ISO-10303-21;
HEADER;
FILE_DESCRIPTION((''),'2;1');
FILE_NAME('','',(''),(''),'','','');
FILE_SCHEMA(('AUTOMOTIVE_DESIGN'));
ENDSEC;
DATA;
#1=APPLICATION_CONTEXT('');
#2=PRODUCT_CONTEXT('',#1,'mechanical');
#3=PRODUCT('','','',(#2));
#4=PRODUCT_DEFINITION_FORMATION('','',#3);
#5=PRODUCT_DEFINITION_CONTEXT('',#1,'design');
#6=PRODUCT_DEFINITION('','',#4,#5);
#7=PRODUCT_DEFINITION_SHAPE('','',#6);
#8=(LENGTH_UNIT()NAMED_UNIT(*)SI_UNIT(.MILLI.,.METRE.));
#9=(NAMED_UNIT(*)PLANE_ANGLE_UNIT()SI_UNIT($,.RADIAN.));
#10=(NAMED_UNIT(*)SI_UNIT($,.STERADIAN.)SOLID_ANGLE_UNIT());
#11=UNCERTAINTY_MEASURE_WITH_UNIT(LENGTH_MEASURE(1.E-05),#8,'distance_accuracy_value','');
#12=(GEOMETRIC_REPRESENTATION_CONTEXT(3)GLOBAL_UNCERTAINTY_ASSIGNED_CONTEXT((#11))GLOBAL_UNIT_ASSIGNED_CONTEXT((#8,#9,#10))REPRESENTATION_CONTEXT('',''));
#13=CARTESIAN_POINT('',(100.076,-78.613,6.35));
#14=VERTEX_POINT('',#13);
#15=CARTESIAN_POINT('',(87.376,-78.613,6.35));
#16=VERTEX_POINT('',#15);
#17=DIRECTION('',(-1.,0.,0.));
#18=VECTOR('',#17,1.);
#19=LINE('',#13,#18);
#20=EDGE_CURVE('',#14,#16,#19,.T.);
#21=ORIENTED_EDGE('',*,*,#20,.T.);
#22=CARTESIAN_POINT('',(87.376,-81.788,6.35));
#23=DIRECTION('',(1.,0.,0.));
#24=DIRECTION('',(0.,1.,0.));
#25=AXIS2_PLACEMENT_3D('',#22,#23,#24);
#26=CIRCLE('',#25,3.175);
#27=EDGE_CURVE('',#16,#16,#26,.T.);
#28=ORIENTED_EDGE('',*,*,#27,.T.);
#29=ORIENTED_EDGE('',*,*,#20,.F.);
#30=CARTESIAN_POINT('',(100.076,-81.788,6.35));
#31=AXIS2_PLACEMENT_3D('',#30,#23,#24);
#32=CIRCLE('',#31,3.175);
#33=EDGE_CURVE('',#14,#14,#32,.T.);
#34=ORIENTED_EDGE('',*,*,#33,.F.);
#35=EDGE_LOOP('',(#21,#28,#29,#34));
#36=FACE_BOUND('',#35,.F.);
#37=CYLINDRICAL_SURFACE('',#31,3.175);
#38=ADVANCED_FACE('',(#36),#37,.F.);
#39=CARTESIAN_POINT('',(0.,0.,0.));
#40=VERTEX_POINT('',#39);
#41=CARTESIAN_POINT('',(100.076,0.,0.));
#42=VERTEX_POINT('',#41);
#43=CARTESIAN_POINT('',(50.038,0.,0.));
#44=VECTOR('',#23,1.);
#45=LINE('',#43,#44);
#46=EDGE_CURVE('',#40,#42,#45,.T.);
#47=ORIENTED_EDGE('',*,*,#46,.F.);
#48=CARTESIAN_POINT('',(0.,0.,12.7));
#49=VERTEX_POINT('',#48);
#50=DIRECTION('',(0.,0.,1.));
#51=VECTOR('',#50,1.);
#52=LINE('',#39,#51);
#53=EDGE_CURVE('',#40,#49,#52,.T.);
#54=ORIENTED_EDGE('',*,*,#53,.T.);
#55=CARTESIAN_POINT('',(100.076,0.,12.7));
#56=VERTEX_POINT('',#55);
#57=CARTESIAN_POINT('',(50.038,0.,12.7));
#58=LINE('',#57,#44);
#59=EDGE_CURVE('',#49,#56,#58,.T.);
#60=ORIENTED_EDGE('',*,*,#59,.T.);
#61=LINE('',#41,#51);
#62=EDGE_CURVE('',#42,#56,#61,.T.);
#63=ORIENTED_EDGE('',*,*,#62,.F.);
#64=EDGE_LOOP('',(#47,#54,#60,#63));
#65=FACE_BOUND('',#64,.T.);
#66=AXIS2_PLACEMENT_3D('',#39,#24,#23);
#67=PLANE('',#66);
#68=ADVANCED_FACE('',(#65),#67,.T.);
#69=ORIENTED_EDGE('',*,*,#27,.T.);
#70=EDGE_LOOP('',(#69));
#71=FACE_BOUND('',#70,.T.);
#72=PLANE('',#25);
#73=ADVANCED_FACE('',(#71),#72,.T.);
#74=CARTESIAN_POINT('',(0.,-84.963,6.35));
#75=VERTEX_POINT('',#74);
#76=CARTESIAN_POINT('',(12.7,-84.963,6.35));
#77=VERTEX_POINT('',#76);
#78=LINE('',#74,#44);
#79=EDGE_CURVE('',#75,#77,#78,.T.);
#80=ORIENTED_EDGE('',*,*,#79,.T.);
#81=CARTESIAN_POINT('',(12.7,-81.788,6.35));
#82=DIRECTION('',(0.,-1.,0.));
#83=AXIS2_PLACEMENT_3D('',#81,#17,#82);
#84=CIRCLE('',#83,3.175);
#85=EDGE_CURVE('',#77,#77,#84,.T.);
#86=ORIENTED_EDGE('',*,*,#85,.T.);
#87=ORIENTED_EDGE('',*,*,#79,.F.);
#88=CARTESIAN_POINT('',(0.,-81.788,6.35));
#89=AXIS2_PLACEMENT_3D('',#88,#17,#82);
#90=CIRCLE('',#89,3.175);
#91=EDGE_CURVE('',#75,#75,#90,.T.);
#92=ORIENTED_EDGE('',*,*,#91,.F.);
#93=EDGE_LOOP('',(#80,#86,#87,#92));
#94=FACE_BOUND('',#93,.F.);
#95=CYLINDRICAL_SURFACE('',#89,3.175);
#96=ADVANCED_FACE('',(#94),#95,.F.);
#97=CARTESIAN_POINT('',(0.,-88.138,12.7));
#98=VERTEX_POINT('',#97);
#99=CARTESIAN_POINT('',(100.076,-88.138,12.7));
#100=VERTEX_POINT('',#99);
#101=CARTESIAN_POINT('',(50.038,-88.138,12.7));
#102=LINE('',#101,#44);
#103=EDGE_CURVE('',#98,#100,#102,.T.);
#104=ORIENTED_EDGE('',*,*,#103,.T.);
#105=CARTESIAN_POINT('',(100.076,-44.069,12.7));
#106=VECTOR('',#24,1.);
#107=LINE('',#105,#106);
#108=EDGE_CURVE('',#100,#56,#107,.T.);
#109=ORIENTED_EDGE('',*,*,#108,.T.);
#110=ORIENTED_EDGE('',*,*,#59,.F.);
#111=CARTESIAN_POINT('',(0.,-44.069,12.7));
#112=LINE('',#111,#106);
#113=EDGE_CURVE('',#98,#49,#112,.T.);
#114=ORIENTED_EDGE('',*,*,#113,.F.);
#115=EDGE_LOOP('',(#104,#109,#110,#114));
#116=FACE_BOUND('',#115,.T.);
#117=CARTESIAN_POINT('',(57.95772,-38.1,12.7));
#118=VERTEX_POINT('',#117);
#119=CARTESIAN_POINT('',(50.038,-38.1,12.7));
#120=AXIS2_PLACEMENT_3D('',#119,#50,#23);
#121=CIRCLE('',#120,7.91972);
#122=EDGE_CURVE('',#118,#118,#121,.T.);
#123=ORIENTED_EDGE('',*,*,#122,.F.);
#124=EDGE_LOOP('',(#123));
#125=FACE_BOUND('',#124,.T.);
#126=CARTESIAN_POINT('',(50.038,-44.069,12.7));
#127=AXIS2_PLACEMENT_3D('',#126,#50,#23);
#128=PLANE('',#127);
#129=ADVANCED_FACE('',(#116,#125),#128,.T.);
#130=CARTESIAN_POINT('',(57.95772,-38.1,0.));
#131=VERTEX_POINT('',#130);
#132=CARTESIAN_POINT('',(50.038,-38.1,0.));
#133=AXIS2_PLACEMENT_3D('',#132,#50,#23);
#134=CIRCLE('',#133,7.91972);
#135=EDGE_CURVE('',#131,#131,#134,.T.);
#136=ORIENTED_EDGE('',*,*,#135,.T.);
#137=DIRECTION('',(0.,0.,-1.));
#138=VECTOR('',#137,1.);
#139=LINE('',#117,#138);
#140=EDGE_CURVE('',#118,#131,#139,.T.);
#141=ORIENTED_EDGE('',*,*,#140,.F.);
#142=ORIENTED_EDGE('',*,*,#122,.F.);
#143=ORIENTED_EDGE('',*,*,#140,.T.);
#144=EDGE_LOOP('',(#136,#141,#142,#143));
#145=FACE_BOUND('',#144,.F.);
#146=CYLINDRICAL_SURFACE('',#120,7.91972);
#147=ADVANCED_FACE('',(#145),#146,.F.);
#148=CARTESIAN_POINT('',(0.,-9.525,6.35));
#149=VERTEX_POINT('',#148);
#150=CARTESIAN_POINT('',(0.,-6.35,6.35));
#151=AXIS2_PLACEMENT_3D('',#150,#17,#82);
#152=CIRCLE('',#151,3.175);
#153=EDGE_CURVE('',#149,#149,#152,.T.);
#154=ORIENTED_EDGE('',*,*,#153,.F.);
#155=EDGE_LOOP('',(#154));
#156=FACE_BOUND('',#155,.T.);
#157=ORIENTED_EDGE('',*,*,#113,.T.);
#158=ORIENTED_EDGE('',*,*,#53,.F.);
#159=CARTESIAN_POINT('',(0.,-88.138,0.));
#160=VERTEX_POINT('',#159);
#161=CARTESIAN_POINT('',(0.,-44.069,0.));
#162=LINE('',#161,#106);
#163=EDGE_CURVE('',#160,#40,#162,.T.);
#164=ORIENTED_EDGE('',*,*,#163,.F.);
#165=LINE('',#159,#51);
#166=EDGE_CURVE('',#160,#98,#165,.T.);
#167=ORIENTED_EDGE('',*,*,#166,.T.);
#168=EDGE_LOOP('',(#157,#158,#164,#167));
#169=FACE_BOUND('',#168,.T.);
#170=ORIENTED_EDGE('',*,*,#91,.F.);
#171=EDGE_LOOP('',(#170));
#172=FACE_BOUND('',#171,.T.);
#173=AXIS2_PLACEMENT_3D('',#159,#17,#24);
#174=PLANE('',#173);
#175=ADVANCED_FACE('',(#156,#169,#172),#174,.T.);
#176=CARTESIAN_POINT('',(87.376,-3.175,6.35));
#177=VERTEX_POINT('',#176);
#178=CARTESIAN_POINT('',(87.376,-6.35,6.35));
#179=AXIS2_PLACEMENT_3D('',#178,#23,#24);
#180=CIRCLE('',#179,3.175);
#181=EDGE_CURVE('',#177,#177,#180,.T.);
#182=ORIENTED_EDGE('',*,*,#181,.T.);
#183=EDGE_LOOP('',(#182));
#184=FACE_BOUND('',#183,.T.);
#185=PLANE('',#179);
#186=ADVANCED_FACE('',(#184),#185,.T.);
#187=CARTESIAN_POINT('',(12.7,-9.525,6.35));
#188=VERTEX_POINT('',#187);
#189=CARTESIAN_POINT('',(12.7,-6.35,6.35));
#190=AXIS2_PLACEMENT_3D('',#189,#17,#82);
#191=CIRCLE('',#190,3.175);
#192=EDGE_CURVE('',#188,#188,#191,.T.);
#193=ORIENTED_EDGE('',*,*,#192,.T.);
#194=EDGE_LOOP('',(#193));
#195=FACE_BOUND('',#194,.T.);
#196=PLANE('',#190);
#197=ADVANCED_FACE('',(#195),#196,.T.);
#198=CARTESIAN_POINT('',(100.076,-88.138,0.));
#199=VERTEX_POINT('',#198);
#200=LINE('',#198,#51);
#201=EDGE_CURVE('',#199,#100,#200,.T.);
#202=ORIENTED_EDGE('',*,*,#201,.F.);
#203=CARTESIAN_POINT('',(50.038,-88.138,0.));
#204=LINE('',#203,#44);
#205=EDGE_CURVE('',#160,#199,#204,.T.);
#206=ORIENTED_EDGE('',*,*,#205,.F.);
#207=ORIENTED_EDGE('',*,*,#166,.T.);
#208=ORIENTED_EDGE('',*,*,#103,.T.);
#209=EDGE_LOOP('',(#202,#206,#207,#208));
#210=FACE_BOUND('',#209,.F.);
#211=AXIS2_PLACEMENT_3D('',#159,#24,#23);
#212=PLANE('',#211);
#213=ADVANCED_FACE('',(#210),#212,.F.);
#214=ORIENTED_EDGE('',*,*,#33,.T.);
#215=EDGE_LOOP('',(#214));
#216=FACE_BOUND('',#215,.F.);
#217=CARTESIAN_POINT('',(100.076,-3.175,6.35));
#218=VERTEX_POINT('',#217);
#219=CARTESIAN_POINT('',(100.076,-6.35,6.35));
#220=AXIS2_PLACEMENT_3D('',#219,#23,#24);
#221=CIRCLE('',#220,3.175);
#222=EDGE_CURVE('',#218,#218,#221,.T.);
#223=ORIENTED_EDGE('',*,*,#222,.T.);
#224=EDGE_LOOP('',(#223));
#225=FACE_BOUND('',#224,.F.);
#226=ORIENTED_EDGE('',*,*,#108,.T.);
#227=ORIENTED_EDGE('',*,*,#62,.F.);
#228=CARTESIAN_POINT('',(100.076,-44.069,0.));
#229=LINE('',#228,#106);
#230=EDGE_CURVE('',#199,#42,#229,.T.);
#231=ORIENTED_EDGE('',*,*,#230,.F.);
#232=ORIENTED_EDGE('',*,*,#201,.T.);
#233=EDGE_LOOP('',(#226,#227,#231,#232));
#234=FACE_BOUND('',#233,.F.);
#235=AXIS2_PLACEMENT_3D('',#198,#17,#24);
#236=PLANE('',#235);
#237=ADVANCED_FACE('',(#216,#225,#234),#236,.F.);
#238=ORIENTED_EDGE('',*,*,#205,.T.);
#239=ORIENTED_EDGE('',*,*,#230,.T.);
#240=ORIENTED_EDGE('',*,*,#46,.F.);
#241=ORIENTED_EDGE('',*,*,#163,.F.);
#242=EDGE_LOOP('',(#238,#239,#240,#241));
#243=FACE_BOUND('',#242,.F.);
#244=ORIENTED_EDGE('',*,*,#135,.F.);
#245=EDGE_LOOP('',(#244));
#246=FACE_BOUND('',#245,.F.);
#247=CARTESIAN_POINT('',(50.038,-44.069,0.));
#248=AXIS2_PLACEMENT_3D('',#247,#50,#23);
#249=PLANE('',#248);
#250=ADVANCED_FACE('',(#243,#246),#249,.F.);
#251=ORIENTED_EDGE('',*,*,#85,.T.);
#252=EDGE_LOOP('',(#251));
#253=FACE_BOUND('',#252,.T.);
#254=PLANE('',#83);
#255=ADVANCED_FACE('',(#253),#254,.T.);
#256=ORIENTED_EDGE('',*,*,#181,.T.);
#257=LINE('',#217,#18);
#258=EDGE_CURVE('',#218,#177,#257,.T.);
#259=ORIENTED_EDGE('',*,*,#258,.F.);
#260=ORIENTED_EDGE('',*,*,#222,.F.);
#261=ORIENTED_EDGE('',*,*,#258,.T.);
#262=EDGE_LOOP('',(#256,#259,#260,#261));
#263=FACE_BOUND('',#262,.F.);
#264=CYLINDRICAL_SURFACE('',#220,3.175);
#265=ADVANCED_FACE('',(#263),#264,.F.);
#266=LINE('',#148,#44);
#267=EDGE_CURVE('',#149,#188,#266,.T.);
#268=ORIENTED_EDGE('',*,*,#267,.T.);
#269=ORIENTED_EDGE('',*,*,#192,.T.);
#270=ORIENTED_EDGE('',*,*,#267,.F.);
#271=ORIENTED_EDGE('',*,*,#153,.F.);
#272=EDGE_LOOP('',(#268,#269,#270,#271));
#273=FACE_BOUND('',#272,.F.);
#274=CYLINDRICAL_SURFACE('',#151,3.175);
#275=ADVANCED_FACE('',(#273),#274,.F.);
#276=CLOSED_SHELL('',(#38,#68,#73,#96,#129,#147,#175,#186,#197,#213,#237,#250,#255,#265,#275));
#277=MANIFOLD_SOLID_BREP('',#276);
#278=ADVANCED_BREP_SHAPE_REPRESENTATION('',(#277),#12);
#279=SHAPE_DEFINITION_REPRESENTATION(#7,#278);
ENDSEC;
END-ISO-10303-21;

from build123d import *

# Parameters (mm, degrees)
F0_W     = 100.076
F0_H     = 88.138
F1_DEPTH = 12.7
F2_R     = 7.91972
F3_DEPTH = 12.701
F4_R     = 3.175
F5_DEPTH = 12.7
F6_R     = 3.175
F7_DEPTH = 12.7


with BuildPart() as f1:
    # F0 (on Top) → F1 (new body)
    with BuildSketch(Plane.XY):
        with Locations((50.038, -44.069)):
            Rectangle(F0_W, F0_H)
    extrude(amount=F1_DEPTH)

    # F2 (on face) → F3 (cut, through all)
    with BuildSketch(Plane.XY.offset(12.7)):
        with Locations((50.038, -38.1)):
            Circle(F2_R)
    extrude(amount=-F3_DEPTH, mode=Mode.SUBTRACT)

    # F4 (on face) → F5 (cut)
    with BuildSketch(Plane.YZ.offset(100.076)):
        with Locations((-81.788, 6.35)):
            Circle(F4_R)
        with Locations((-6.35, 6.35)):
            Circle(F4_R)
    extrude(amount=-F5_DEPTH, mode=Mode.SUBTRACT)

    # F6 (on face) → F7 (cut)
    with BuildSketch(Plane(origin=(0, 0, 0), x_dir=(0, -1, 0), z_dir=(-1, 0, 0))):
        with Locations((6.35, 6.35)):
            Circle(F6_R)
        with Locations((81.788, 6.35)):
            Circle(F6_R)
    extrude(amount=-F7_DEPTH, mode=Mode.SUBTRACT)


solid = f1.part
